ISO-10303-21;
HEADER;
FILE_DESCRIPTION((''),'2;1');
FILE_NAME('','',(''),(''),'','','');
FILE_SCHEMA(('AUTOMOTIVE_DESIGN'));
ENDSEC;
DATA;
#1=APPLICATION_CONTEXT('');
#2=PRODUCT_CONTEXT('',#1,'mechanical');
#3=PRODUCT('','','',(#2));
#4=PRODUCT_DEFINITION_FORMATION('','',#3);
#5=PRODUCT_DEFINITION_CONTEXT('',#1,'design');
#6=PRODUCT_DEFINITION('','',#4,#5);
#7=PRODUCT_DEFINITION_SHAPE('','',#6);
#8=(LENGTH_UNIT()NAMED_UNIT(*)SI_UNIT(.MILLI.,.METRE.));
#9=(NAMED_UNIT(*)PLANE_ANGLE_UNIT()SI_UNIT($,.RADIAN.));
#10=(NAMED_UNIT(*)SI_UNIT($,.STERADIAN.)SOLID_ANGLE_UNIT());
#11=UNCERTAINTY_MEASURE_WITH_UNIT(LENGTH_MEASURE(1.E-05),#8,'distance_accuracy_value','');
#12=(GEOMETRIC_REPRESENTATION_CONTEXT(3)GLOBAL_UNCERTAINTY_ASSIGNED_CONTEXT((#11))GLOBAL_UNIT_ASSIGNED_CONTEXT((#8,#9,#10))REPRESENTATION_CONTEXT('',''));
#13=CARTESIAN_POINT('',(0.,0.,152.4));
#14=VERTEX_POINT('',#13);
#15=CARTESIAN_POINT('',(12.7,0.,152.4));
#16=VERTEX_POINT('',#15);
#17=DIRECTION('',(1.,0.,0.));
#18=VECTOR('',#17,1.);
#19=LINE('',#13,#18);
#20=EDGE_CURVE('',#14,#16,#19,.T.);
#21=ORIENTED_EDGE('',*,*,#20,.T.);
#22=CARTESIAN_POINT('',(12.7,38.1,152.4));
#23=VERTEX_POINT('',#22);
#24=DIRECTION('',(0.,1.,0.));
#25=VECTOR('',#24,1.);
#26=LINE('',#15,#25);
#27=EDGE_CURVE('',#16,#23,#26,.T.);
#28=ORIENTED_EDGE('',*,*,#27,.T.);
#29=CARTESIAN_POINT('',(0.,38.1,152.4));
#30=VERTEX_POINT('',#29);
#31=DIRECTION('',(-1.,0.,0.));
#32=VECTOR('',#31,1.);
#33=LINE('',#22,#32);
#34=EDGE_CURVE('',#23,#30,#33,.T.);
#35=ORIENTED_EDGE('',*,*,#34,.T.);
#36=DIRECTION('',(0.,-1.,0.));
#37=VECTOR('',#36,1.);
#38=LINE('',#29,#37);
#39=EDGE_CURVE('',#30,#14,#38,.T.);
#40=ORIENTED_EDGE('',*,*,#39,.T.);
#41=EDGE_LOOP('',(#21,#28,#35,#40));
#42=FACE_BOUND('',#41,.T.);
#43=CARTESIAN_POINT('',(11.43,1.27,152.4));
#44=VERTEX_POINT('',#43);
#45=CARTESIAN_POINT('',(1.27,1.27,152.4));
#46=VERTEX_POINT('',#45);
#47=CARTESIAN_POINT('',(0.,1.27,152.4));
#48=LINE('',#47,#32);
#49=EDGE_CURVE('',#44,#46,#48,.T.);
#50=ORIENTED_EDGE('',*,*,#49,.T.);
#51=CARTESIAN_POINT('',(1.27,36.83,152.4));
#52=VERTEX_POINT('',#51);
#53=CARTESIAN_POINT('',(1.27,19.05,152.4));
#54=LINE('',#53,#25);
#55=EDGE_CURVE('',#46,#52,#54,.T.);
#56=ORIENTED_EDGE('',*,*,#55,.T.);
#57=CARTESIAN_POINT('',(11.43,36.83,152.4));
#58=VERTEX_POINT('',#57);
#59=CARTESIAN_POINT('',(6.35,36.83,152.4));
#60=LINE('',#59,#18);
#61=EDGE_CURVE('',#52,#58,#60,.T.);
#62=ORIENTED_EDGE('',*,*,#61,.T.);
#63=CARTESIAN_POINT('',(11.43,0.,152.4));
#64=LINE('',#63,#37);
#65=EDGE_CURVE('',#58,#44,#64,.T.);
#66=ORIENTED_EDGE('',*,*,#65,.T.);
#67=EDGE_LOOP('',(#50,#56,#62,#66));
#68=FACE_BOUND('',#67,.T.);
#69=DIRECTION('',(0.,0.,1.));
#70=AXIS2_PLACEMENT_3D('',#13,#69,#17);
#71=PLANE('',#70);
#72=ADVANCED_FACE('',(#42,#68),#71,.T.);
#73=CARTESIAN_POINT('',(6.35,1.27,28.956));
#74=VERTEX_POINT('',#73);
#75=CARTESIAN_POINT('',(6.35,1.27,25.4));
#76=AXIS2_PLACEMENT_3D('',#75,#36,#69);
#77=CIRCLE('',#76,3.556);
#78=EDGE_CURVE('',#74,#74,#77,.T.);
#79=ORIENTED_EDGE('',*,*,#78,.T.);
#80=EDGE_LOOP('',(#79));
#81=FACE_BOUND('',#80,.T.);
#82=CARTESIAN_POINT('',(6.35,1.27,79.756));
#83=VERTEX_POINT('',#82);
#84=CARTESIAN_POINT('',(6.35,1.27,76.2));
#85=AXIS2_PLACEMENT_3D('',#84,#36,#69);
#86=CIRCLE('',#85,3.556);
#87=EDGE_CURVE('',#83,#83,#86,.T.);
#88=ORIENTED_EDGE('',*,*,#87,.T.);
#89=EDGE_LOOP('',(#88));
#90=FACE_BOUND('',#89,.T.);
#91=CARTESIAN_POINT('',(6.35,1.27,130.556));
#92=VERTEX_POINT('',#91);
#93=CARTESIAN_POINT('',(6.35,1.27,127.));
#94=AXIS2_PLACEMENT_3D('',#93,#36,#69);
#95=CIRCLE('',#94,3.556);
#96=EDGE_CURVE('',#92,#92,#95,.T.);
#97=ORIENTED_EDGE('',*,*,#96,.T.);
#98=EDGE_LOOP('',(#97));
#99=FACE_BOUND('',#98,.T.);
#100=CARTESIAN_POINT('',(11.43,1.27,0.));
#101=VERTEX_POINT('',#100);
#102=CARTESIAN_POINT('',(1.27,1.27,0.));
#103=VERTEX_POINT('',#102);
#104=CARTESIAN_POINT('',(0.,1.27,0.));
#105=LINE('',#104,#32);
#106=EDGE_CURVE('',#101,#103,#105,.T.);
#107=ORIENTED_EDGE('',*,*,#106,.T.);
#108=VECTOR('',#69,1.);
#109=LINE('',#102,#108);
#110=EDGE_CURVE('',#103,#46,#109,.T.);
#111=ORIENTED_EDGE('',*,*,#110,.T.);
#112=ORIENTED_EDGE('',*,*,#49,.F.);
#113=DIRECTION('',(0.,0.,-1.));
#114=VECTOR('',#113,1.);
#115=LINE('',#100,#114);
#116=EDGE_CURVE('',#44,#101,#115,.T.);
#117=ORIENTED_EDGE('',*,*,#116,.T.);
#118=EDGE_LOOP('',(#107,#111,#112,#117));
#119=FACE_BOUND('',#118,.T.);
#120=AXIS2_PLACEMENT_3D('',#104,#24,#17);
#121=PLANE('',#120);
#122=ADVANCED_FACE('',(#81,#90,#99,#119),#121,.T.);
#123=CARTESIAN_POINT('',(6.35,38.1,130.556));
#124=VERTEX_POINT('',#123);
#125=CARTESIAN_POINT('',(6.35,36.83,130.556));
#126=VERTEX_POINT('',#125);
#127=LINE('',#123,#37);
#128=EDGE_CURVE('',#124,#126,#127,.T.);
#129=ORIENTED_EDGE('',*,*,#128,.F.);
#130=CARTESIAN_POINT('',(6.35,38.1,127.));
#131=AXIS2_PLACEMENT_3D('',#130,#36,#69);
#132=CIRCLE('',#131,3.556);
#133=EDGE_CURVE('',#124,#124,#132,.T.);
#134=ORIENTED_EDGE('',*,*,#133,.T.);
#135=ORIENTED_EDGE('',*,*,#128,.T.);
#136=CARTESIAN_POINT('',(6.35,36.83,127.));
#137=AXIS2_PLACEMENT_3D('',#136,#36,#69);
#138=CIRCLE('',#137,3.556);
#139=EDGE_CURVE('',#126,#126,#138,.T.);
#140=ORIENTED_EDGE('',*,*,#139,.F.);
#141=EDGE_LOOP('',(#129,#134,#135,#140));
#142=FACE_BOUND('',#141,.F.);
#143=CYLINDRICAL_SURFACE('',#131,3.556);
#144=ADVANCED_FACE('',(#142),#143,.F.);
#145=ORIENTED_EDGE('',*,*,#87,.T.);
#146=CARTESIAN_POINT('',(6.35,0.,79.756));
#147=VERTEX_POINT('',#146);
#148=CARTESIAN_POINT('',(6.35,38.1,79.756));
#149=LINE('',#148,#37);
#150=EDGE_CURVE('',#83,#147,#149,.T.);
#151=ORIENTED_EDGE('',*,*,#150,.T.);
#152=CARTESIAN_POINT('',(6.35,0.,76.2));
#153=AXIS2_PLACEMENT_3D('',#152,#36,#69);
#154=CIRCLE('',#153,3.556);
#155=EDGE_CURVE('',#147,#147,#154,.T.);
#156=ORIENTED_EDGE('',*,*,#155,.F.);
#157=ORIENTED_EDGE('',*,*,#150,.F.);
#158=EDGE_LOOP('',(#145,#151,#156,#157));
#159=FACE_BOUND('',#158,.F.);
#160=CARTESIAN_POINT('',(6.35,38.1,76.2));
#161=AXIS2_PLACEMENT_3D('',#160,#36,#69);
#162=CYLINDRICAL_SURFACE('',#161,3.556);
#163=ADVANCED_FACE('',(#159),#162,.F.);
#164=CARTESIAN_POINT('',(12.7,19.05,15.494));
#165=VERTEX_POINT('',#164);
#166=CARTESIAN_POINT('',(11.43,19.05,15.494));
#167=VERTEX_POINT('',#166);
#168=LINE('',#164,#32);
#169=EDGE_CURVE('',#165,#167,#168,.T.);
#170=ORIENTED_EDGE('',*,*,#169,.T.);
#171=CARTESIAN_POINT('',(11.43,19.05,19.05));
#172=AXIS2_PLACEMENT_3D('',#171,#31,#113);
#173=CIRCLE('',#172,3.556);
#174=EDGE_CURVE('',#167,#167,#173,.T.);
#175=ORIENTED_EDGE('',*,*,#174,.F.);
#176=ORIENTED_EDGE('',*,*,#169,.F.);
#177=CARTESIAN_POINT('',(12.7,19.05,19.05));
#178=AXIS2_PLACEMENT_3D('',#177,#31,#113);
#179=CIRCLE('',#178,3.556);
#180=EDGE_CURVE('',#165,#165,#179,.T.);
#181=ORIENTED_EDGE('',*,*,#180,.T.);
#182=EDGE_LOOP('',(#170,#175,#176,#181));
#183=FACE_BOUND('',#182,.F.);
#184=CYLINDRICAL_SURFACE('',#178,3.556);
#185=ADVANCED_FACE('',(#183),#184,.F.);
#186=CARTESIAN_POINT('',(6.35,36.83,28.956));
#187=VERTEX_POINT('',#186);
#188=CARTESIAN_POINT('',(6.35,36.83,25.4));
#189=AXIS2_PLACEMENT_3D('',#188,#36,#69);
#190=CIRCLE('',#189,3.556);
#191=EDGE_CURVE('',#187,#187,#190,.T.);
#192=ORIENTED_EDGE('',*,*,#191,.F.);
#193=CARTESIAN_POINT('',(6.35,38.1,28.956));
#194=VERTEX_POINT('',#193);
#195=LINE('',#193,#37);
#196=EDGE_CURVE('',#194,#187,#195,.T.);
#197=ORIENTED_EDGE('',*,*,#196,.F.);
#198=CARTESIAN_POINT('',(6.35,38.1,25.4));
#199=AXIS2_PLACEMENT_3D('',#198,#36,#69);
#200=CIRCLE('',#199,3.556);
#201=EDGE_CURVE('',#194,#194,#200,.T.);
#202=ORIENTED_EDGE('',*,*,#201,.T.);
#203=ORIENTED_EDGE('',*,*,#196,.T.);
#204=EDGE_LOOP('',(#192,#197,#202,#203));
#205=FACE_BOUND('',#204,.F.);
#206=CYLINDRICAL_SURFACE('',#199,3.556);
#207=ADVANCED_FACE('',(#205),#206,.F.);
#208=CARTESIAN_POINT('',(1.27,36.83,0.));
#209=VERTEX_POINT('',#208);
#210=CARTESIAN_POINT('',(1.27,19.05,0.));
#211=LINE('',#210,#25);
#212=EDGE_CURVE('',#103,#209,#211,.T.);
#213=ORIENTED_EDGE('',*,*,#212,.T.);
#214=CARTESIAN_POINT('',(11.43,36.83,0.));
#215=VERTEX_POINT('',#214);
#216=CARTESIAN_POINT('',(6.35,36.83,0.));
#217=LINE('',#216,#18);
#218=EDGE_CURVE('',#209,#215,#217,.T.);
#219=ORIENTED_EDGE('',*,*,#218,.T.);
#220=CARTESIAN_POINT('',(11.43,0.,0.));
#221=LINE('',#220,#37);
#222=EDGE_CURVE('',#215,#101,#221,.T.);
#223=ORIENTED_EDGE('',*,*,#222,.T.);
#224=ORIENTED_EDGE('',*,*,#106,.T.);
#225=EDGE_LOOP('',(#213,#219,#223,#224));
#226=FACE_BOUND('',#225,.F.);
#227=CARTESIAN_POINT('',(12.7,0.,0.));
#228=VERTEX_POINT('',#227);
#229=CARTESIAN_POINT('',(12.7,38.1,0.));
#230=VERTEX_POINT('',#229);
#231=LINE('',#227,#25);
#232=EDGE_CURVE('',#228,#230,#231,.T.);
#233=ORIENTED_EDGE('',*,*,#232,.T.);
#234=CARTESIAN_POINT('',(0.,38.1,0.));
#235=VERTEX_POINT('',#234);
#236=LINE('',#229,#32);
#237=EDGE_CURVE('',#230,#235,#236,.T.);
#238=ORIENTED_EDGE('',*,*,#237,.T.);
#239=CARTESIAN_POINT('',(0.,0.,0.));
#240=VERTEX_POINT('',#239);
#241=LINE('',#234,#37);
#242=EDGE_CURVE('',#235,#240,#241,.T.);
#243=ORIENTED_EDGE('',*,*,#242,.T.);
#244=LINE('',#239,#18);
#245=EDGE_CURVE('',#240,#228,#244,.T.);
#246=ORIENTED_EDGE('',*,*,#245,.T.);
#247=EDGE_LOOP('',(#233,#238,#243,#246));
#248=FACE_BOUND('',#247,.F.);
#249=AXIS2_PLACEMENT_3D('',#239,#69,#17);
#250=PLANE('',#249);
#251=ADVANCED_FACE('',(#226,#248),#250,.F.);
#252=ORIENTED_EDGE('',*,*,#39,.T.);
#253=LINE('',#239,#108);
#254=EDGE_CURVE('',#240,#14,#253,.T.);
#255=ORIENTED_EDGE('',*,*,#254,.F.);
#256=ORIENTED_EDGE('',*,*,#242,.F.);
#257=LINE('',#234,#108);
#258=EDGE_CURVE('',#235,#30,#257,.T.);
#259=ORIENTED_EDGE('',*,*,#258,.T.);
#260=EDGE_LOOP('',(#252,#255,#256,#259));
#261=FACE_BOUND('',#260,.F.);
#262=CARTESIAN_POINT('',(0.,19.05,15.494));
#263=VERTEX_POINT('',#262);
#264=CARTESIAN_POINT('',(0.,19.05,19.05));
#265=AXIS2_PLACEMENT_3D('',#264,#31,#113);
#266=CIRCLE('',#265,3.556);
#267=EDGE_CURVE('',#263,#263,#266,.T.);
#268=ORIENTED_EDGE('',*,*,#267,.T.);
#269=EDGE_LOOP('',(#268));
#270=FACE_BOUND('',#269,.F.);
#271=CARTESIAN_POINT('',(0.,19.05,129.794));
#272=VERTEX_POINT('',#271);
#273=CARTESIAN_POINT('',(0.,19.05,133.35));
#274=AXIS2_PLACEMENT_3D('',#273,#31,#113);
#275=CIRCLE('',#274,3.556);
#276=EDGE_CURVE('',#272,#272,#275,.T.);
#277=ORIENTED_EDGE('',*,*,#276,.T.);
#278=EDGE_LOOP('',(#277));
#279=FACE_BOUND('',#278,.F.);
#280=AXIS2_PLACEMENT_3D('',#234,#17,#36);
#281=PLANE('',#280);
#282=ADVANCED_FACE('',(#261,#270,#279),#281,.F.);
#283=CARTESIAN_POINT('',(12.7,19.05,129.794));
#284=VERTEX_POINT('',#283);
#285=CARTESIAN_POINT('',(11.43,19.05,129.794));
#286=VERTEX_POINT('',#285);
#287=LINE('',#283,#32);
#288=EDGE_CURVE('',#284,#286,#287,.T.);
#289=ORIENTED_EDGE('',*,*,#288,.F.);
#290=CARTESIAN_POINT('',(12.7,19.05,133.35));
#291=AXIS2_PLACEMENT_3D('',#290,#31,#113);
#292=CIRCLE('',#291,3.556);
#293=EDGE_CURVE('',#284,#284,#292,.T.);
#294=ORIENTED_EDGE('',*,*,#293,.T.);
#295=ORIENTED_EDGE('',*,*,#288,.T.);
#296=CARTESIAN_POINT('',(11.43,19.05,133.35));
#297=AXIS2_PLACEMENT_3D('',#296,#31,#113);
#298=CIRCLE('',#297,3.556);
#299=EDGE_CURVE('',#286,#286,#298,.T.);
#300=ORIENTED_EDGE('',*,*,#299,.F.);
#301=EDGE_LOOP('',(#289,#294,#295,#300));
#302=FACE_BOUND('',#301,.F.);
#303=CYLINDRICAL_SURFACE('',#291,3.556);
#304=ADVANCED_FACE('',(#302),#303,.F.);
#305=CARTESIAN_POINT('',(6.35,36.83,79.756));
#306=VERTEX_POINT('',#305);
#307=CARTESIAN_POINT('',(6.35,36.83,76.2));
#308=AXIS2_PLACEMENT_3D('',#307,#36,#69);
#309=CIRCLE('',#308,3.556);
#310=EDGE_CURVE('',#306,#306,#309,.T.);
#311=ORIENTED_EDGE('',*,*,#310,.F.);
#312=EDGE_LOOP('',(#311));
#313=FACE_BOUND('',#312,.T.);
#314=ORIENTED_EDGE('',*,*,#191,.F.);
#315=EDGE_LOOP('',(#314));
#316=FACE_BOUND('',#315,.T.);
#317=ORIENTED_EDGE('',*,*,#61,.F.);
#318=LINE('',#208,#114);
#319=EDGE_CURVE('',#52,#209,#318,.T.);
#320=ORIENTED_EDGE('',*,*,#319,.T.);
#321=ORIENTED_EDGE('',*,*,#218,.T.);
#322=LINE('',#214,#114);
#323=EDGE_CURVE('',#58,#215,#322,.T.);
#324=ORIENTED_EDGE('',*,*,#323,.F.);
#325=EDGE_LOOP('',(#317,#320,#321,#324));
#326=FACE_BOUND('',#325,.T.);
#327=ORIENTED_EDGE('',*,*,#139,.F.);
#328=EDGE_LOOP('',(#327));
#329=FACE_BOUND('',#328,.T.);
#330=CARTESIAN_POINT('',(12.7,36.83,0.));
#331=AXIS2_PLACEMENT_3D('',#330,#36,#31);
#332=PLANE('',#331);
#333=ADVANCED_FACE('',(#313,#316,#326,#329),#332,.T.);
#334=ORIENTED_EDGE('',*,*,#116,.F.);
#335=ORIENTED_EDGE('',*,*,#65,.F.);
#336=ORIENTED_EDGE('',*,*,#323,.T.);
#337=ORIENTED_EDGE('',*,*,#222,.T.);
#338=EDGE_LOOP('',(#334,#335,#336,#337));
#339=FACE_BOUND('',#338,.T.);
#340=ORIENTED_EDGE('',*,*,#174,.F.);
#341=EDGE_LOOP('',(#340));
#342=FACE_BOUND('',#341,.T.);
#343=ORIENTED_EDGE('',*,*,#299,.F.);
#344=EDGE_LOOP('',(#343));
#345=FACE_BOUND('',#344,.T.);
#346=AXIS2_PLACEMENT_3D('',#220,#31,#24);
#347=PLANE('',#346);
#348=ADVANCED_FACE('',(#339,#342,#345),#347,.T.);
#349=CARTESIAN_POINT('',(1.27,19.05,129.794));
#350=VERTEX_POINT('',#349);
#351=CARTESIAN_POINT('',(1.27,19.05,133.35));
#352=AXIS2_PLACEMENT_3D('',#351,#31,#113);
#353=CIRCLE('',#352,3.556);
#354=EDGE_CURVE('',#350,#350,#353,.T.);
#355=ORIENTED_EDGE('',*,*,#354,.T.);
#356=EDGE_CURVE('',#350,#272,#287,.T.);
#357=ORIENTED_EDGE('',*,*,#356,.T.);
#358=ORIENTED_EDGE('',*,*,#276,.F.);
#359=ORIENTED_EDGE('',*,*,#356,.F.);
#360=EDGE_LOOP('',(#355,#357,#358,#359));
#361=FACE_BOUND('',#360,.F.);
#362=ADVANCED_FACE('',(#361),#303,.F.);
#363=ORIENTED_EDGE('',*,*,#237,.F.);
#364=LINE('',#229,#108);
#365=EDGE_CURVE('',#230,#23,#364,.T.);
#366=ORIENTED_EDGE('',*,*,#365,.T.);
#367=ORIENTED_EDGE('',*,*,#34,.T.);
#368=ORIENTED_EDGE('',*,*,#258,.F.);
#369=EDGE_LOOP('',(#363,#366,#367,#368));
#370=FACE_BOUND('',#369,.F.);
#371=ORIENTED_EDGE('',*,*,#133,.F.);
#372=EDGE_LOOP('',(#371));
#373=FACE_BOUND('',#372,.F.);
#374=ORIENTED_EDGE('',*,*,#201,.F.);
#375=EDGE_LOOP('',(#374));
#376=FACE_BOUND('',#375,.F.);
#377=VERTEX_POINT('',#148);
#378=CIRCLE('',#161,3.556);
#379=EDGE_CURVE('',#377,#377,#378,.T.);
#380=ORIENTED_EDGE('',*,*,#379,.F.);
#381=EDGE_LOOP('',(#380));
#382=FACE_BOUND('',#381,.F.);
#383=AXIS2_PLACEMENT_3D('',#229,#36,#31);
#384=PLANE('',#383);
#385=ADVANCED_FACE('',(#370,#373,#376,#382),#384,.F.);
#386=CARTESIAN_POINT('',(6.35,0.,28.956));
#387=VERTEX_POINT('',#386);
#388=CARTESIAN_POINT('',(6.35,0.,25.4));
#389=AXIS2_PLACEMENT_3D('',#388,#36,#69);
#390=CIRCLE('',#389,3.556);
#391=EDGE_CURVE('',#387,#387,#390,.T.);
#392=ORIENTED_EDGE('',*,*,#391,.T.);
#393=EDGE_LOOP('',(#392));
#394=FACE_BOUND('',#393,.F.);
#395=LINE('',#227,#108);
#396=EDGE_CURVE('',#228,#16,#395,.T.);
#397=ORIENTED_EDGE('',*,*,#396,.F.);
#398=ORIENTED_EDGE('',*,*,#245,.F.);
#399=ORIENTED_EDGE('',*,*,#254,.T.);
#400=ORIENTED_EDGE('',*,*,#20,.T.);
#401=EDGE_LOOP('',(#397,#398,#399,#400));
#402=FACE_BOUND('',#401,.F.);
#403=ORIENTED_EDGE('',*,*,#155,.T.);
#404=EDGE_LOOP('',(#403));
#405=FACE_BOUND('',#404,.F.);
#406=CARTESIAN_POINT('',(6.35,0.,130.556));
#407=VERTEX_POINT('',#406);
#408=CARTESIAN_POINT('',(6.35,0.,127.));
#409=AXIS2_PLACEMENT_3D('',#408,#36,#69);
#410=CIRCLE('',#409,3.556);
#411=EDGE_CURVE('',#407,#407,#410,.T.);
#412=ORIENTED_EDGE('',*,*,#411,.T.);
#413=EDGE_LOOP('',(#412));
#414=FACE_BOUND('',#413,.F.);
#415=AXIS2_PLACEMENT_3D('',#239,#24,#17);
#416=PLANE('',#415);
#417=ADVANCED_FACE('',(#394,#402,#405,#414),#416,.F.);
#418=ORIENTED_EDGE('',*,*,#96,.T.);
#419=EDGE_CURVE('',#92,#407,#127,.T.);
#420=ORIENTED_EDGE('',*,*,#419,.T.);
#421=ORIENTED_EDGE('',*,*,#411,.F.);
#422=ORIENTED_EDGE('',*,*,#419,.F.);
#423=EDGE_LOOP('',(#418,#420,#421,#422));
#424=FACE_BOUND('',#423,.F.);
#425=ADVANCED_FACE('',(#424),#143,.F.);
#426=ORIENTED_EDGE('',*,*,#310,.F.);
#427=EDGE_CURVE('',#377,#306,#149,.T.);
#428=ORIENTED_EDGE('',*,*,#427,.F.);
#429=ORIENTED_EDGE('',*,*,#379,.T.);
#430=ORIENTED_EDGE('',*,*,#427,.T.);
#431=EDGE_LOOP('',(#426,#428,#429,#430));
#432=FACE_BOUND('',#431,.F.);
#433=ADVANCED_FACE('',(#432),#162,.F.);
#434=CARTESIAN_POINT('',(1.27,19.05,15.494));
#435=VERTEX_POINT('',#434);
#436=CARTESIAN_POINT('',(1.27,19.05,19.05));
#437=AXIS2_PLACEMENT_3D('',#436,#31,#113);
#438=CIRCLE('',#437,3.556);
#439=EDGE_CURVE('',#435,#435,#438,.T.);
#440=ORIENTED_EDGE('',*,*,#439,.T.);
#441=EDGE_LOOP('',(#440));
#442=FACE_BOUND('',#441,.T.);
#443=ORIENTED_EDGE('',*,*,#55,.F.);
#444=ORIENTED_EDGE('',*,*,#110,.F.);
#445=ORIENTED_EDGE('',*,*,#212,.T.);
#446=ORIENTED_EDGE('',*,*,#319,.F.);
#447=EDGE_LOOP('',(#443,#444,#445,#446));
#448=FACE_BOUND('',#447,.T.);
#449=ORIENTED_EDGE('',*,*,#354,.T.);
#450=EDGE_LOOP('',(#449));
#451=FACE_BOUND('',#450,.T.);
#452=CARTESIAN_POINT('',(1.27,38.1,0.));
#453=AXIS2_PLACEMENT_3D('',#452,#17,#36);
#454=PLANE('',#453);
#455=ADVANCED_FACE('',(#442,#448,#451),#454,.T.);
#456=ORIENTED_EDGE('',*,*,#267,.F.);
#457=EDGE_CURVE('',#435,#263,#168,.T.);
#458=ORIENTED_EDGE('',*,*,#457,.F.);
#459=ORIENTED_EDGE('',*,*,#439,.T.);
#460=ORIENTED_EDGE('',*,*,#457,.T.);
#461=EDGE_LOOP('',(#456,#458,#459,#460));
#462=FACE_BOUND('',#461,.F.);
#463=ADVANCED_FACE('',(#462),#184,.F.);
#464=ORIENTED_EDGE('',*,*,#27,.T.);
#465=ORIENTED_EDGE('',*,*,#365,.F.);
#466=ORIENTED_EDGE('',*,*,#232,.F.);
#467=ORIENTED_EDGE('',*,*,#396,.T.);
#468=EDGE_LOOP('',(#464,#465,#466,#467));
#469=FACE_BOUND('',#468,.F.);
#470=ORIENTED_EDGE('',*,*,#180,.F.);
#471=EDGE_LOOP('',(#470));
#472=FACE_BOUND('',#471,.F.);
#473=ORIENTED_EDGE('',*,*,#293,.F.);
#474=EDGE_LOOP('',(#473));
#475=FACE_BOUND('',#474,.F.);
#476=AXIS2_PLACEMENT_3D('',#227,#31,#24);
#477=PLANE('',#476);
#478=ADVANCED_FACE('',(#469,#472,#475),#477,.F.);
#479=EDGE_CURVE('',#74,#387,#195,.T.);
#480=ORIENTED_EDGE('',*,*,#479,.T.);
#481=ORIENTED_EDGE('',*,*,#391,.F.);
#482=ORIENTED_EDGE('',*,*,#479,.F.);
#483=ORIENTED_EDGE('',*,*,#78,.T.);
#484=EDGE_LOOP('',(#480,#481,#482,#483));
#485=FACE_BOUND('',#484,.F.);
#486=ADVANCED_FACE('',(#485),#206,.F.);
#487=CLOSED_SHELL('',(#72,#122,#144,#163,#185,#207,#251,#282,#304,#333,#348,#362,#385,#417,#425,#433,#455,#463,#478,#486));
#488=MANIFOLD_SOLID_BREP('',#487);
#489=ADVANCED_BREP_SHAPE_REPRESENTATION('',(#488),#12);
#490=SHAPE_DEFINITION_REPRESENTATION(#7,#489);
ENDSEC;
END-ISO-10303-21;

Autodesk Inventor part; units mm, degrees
ref_plane "YZ Plane" through (0, 0, 0) normal (1, 0, 0) x (0, 1, 0)
ref_plane "XZ Plane" through (0, 0, 0) normal (0, 1, 0) x (-1, 0, 0)
ref_plane "XY Plane" through (0, 0, 0) normal (0, 0, 1) x (1, 0, 0)
sketch "Sketch1" plane through (0, 0, 0) normal (0, 0, 1) x (1, 0, 0)
  line L0 (0, 0) -> (12.7, 0)
  line L1 (12.7, 0) -> (12.7, 38.1)
  line L2 (12.7, 38.1) -> (0, 38.1)
  line L3 (0, 38.1) -> (0, 0)
  dimension "d0" = 38.1
  dimension "d1" = 12.7
extrude "Extrusion1" add sketch "Sketch1" along normal blind 152.4
shell "Shell1" thickness 1.27 removed faces 2 at (4.2333, 25.4, 0) at (4.2333, 25.4, 152.4)
sketch "Sketch2" plane through (12.7, 0, 0) normal (1, 0, 0) x (0, 0, -1)
  line L0 (0, 0) -> (0, 38.1) projected
  line L1 (0, 38.1) -> (-152.4, 38.1) projected
  line L2 (-152.4, 0) -> (-152.4, 38.1) projected
  line L3 (0, 0) -> (-152.4, 0) projected
  line L4 (-162.6393, 19.05) -> (14.976, 19.05) construction
  point P0 (-133.35, 19.05)
  point P1 (-19.05, 19.05)
  dimension "d5" = 19.05
  dimension "d6" = 19.05
  dimension "d9" = 19.05
hole "Hole1" at (12.7, 19.05, 133.35) at (12.7, 19.05, 19.05) direction (-1, 0, 0) diameter 7.112 end through all
sketch "Sketch3" plane through (0, 38.1, 0) normal (0, 1, 0) x (1, 0, 0)
  line L0 (12.7, 0) -> (0, 0) projected
  line L1 (0, 0) -> (0, -152.4) projected
  line L2 (12.7, -152.4) -> (0, -152.4) projected
  line L3 (12.7, 0) -> (12.7, -152.4) projected
  line L4 (6.35, 17.6784) -> (6.35, -171.0582) construction
  point P0 (0, 0)
  point P1 (6.35, -25.4)
  point P2 (6.35, -127)
  point P3 (6.35, -76.2)
  dimension "d17" = 6.35
  dimension "d18" = 25.4
  dimension "d19" = 25.4
  dimension "d20" = 76.2
hole "Hole2" at (6.35, 38.1, 25.4) at (6.35, 38.1, 127) at (6.35, 38.1, 76.2) direction (0, -1, 0) diameter 7.112 end through all
properties part number "090000-1"
